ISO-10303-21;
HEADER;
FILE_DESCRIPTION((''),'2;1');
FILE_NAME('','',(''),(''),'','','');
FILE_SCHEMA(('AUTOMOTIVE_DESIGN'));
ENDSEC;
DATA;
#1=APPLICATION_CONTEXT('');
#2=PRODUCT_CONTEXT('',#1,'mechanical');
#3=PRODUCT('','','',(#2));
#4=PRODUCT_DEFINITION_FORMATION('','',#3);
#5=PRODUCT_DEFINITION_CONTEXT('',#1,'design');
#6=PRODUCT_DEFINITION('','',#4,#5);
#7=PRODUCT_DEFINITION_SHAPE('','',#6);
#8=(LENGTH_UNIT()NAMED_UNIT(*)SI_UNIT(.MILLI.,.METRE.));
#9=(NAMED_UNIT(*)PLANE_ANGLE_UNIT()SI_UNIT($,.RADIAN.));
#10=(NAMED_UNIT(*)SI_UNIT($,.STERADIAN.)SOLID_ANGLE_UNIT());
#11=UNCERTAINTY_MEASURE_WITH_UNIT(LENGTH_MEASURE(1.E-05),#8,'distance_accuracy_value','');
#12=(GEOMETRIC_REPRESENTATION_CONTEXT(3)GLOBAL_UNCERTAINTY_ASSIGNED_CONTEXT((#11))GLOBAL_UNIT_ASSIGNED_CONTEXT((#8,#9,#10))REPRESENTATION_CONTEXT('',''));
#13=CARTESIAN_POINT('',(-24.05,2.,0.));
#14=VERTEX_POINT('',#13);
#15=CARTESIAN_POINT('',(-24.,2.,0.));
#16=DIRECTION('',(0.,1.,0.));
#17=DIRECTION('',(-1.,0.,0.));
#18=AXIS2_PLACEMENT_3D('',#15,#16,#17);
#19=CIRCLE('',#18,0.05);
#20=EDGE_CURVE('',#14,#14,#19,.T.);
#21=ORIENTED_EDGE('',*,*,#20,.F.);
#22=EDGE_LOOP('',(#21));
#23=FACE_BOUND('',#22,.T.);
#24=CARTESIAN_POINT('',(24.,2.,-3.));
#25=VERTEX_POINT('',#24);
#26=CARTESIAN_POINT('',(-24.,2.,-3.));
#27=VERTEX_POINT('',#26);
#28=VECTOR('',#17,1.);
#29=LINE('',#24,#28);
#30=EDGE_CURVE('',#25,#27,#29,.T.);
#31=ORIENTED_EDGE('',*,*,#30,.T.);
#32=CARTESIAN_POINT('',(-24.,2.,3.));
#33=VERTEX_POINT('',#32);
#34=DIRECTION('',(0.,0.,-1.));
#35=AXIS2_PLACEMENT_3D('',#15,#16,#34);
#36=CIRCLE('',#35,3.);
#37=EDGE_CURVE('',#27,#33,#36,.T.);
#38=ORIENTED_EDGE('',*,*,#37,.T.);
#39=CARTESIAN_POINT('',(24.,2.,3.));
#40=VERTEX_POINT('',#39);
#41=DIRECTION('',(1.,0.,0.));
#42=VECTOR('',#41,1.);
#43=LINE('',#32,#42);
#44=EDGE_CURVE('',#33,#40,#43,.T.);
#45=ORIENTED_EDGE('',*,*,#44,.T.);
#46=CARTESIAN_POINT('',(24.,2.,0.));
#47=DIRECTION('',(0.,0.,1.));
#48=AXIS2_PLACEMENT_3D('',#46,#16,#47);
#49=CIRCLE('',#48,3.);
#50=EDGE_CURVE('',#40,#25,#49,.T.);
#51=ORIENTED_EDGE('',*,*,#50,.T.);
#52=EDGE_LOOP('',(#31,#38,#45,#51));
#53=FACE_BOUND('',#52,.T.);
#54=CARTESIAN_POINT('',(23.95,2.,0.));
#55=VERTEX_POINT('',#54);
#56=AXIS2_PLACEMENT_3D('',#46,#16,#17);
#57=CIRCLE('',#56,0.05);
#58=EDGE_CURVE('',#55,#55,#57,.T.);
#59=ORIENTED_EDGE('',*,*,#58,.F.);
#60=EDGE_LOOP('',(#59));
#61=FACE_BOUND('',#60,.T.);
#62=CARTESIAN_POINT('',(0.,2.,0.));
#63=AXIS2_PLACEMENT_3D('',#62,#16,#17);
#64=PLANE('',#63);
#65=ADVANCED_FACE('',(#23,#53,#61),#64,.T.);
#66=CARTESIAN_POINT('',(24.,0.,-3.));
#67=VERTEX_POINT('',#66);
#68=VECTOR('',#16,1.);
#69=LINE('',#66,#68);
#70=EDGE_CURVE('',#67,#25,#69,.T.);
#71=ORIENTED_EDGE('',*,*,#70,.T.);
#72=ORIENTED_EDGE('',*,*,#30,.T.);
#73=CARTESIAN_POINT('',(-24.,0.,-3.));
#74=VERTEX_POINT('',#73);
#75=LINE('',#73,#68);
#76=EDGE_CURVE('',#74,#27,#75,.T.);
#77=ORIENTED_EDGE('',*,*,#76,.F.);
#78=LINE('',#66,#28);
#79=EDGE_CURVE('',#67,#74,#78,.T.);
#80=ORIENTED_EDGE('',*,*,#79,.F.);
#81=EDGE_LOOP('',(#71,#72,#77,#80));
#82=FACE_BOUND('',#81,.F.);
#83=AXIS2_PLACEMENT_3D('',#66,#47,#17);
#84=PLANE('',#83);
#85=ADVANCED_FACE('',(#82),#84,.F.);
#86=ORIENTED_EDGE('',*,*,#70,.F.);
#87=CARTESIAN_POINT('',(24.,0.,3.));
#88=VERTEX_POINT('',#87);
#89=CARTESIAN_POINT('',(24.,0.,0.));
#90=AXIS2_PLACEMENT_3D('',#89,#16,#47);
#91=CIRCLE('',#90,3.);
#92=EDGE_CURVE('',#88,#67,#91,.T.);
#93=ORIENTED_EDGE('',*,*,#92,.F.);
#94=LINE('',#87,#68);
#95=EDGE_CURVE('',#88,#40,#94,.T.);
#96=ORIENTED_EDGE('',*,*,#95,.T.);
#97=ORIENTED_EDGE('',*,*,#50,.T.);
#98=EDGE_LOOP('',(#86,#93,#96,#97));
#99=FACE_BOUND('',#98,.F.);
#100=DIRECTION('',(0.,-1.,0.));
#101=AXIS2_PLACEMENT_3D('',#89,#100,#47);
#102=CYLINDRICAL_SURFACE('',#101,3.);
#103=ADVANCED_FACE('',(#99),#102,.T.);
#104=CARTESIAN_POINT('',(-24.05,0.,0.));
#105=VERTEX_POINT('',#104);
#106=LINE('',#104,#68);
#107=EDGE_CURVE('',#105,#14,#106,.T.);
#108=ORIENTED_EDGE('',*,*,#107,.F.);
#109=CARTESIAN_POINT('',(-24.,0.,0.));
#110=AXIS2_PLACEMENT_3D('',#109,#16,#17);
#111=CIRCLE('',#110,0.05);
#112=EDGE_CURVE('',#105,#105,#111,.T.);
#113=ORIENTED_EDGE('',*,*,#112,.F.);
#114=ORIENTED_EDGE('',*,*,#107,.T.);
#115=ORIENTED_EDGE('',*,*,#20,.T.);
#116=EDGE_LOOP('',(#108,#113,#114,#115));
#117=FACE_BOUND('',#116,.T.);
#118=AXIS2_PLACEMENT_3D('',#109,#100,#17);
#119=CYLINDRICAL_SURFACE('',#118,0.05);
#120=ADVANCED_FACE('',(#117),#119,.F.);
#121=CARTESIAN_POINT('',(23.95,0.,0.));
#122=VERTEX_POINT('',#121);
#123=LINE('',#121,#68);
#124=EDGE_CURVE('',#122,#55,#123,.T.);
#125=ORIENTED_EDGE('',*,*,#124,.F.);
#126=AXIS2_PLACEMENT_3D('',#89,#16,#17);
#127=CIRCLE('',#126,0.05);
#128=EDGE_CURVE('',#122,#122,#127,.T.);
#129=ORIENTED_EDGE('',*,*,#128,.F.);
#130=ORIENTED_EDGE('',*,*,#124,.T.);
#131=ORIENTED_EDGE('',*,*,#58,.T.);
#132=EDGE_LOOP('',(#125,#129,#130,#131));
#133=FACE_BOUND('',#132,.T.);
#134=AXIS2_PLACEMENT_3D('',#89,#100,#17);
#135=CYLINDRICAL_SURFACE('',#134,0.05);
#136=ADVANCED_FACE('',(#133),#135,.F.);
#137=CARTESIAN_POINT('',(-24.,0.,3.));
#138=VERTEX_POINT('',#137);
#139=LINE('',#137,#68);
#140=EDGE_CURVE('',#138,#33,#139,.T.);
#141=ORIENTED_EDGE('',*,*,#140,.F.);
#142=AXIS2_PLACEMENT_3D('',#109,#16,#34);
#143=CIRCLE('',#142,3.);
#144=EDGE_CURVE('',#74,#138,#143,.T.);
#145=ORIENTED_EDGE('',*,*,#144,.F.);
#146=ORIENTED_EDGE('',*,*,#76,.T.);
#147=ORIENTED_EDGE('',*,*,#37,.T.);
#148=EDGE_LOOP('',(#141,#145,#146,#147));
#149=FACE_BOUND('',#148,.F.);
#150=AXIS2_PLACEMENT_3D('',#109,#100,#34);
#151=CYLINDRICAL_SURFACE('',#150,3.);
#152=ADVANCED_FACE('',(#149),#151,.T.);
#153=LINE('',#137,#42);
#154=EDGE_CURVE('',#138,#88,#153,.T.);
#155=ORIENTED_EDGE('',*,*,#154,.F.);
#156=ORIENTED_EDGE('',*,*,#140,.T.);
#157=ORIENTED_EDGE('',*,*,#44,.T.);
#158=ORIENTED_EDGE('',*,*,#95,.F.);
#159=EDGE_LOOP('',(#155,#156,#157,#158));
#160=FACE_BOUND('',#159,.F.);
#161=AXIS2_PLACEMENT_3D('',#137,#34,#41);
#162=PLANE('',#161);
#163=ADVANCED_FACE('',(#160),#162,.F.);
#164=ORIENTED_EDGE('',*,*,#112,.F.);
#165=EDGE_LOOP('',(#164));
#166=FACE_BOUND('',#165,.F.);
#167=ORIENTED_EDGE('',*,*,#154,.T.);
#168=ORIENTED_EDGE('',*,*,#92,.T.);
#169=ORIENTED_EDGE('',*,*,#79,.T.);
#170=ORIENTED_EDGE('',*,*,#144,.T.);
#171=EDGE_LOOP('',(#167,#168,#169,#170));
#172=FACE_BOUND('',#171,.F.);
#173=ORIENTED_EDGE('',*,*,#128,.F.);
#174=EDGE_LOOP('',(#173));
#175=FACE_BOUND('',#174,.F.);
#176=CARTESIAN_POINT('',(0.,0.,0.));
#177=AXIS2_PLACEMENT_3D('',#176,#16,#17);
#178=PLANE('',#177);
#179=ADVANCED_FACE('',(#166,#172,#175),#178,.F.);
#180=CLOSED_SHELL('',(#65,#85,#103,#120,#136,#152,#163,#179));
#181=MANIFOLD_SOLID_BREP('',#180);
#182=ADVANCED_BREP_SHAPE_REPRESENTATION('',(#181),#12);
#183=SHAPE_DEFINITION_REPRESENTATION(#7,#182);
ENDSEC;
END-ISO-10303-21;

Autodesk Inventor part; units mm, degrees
ref_plane "YZ Plane" through (0, 0, 0) normal (1, 0, 0) x (0, 1, 0)
ref_plane "XZ Plane" through (0, 0, 0) normal (0, 1, 0) x (-1, 0, 0)
ref_plane "XY Plane" through (0, 0, 0) normal (0, 0, 1) x (1, 0, 0)
sketch "Sketch1" plane through (0, 0, 0) normal (0, 1, 0) x (-1, 0, 0)
  line L0 (-24, -3) -> (24, -3)
  line L1 (24, 3) -> (-24, 3)
  line L2 (-24, -3) -> (24, 3) construction
  line L3 (24, -3) -> (-24, 3) construction
  circle A0 centre (24, 0) radius 0.05
  circle A1 centre (-24, 0) radius 0.05
  arc A2 (24, -3) -> (24, 3) centre (24, 0) ccw
  arc A3 (-24, 3) -> (-24, -3) centre (-24, 0) ccw
  point P0 (0, 0)
  dimension "d0" = 48
  dimension "d1" = 6
  dimension "d3" = 0.1
  dimension "d4" = 0.1
extrude "Extrusion1" add sketch "Sketch1" along normal blind 2
properties part number "packa_sablona_horni_tahlo"
